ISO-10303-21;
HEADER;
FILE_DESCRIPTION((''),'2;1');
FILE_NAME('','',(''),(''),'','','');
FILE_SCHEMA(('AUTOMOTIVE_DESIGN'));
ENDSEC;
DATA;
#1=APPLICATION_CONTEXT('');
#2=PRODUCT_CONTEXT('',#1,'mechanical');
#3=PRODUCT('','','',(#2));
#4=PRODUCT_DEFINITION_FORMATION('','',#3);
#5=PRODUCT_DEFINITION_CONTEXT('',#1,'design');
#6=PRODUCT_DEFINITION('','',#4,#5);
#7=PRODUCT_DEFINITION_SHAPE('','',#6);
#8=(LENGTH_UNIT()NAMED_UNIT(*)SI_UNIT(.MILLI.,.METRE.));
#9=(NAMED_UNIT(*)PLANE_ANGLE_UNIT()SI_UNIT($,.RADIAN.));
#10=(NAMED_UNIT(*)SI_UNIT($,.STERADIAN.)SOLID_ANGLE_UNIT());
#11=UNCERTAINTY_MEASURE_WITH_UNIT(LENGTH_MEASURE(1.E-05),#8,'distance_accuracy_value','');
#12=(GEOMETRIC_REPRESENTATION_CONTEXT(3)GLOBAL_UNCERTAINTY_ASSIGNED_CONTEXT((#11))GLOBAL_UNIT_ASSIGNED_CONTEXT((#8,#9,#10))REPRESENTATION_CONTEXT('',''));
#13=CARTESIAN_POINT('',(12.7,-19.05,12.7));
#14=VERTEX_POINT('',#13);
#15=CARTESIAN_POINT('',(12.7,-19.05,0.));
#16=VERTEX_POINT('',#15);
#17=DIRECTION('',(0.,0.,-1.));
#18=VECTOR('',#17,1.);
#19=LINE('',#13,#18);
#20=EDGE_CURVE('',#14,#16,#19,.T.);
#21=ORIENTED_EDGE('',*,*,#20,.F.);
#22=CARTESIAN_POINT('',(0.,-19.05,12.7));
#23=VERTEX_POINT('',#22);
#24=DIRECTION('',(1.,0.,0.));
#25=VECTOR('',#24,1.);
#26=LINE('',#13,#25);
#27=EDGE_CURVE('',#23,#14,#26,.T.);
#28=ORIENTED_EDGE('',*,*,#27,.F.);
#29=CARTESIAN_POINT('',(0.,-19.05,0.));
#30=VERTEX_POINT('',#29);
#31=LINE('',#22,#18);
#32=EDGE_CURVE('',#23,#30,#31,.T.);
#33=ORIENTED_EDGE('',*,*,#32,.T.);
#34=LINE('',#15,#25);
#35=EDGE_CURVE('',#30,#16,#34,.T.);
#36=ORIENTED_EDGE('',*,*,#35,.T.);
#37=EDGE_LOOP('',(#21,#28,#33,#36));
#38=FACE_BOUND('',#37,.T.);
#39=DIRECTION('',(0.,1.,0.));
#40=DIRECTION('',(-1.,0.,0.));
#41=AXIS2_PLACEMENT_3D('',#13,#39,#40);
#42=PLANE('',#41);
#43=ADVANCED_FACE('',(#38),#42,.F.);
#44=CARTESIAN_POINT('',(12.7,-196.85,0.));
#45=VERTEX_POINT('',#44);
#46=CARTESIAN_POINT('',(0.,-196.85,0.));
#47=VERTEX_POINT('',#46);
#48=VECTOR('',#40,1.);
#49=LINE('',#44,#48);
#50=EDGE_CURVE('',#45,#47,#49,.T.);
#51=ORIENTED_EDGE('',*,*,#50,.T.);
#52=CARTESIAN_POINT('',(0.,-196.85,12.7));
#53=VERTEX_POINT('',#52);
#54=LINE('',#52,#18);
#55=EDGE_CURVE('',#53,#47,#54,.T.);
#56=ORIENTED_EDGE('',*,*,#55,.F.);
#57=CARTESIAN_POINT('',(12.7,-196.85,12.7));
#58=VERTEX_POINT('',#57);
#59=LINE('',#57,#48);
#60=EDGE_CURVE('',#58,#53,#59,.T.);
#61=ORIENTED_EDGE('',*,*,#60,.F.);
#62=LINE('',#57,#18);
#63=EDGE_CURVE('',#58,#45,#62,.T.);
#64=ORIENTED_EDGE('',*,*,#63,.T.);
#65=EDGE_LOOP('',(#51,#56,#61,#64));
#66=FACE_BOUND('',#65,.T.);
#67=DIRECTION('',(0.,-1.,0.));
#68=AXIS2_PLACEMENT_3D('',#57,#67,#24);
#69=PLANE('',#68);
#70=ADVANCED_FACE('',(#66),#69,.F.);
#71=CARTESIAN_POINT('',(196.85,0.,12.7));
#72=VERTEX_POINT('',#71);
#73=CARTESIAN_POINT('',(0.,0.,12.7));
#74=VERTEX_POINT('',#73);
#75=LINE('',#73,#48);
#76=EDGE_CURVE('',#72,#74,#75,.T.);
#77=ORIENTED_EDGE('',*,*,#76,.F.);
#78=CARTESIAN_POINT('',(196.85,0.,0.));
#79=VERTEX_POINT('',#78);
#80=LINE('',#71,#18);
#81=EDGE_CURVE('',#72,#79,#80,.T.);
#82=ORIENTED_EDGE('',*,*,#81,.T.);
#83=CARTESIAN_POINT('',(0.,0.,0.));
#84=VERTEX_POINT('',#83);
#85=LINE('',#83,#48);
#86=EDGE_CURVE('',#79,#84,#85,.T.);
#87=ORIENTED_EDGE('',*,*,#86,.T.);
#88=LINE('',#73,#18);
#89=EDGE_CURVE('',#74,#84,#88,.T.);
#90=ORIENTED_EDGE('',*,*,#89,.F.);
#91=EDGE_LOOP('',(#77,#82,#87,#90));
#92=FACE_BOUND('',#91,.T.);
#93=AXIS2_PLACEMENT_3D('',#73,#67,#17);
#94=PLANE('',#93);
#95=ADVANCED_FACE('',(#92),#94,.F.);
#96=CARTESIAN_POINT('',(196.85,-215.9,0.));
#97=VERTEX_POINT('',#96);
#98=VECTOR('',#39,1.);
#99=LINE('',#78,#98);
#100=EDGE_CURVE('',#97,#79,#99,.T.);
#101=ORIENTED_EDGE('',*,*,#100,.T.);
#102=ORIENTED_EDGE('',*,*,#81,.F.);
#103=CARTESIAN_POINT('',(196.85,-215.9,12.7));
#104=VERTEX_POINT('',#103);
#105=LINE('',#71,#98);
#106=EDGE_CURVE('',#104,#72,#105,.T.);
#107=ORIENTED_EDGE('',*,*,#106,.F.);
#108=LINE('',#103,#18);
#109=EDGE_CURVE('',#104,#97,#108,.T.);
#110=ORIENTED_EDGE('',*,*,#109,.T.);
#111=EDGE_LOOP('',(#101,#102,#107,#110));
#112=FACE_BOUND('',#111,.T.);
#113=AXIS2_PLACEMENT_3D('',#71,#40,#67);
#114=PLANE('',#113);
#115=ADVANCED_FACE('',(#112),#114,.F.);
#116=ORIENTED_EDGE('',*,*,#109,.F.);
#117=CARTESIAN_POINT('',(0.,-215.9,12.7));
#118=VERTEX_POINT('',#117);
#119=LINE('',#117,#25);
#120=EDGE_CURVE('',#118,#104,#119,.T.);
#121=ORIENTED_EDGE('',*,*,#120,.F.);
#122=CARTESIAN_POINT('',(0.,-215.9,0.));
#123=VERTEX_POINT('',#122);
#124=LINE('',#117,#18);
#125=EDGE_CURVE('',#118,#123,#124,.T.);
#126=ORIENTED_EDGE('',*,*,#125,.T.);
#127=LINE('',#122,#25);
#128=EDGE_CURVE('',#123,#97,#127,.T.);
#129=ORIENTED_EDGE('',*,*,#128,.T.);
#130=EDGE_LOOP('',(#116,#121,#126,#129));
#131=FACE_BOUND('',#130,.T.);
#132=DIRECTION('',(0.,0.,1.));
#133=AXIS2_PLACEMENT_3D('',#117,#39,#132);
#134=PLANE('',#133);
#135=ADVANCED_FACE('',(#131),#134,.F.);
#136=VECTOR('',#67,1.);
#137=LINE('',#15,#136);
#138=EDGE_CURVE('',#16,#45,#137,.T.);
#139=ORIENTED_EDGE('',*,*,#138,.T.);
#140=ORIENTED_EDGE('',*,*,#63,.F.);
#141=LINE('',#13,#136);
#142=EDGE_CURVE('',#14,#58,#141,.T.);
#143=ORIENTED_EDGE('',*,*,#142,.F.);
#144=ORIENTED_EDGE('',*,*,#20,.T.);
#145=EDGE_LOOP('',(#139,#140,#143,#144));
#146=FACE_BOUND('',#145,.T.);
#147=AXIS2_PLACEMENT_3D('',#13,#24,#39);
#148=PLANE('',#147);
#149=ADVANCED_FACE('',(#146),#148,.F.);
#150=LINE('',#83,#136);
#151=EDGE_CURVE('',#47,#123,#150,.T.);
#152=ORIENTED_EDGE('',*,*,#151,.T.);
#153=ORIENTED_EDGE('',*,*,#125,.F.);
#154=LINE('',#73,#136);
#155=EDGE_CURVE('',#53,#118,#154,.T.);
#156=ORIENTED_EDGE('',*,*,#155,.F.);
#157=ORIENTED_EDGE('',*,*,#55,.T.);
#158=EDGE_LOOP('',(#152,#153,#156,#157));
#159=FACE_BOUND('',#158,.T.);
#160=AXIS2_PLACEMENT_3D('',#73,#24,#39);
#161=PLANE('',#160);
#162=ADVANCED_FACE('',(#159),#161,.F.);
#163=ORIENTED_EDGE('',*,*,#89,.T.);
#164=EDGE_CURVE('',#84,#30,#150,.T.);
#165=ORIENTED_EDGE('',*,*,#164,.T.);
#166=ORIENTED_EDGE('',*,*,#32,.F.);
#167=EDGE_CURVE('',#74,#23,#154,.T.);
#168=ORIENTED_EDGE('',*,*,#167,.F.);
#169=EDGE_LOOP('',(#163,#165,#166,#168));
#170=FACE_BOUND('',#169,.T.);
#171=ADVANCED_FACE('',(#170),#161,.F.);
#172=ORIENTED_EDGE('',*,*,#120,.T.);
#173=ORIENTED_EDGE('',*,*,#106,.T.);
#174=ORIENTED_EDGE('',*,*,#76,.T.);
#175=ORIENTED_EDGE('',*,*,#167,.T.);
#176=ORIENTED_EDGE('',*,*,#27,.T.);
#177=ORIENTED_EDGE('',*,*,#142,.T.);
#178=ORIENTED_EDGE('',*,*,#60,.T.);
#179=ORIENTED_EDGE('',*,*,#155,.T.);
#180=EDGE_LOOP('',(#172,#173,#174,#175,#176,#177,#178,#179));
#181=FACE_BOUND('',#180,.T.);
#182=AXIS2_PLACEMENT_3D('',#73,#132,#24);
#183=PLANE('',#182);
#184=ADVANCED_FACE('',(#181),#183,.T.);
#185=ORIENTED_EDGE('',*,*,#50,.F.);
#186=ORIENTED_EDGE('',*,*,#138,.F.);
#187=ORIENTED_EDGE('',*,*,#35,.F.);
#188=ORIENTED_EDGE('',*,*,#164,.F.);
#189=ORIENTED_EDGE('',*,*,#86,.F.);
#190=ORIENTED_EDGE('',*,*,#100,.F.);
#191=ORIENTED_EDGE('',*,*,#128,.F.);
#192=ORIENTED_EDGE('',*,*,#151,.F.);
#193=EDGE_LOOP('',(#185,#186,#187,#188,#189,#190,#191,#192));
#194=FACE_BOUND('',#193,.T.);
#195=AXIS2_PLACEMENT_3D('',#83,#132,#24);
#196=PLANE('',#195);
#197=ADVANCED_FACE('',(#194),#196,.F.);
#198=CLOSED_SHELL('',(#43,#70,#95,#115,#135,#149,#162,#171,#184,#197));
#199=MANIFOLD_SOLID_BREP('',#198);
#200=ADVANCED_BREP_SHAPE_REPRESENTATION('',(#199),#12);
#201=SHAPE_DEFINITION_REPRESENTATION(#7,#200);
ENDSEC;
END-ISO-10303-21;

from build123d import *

# Parameters (mm, degrees)
SKETCH1_W           = 196.85
SKETCH1_H           = 215.9
BOSS_EXTRUDE1_DEPTH = 12.7
SKETCH2_W           = 12.7
SKETCH2_H           = 177.8
CUT_EXTRUDE1_DEPTH  = 13.7


with BuildPart() as part:
    # Sketch1 → Boss-Extrude1 (new body)
    with BuildSketch(Plane.XY):
        with Locations((98.425, -107.95)):
            Rectangle(SKETCH1_W, SKETCH1_H)
    extrude(amount=BOSS_EXTRUDE1_DEPTH)

    # Sketch2 → Cut-Extrude1 (cut, through all)
    with BuildSketch(Plane(origin=(0, 0, 0), x_dir=(-1, 0, 0), z_dir=(0, 0, -1))):
        with Locations((-6.35, -107.95)):
            Rectangle(SKETCH2_W, SKETCH2_H)
    extrude(amount=-CUT_EXTRUDE1_DEPTH, mode=Mode.SUBTRACT)


solid = part.part
